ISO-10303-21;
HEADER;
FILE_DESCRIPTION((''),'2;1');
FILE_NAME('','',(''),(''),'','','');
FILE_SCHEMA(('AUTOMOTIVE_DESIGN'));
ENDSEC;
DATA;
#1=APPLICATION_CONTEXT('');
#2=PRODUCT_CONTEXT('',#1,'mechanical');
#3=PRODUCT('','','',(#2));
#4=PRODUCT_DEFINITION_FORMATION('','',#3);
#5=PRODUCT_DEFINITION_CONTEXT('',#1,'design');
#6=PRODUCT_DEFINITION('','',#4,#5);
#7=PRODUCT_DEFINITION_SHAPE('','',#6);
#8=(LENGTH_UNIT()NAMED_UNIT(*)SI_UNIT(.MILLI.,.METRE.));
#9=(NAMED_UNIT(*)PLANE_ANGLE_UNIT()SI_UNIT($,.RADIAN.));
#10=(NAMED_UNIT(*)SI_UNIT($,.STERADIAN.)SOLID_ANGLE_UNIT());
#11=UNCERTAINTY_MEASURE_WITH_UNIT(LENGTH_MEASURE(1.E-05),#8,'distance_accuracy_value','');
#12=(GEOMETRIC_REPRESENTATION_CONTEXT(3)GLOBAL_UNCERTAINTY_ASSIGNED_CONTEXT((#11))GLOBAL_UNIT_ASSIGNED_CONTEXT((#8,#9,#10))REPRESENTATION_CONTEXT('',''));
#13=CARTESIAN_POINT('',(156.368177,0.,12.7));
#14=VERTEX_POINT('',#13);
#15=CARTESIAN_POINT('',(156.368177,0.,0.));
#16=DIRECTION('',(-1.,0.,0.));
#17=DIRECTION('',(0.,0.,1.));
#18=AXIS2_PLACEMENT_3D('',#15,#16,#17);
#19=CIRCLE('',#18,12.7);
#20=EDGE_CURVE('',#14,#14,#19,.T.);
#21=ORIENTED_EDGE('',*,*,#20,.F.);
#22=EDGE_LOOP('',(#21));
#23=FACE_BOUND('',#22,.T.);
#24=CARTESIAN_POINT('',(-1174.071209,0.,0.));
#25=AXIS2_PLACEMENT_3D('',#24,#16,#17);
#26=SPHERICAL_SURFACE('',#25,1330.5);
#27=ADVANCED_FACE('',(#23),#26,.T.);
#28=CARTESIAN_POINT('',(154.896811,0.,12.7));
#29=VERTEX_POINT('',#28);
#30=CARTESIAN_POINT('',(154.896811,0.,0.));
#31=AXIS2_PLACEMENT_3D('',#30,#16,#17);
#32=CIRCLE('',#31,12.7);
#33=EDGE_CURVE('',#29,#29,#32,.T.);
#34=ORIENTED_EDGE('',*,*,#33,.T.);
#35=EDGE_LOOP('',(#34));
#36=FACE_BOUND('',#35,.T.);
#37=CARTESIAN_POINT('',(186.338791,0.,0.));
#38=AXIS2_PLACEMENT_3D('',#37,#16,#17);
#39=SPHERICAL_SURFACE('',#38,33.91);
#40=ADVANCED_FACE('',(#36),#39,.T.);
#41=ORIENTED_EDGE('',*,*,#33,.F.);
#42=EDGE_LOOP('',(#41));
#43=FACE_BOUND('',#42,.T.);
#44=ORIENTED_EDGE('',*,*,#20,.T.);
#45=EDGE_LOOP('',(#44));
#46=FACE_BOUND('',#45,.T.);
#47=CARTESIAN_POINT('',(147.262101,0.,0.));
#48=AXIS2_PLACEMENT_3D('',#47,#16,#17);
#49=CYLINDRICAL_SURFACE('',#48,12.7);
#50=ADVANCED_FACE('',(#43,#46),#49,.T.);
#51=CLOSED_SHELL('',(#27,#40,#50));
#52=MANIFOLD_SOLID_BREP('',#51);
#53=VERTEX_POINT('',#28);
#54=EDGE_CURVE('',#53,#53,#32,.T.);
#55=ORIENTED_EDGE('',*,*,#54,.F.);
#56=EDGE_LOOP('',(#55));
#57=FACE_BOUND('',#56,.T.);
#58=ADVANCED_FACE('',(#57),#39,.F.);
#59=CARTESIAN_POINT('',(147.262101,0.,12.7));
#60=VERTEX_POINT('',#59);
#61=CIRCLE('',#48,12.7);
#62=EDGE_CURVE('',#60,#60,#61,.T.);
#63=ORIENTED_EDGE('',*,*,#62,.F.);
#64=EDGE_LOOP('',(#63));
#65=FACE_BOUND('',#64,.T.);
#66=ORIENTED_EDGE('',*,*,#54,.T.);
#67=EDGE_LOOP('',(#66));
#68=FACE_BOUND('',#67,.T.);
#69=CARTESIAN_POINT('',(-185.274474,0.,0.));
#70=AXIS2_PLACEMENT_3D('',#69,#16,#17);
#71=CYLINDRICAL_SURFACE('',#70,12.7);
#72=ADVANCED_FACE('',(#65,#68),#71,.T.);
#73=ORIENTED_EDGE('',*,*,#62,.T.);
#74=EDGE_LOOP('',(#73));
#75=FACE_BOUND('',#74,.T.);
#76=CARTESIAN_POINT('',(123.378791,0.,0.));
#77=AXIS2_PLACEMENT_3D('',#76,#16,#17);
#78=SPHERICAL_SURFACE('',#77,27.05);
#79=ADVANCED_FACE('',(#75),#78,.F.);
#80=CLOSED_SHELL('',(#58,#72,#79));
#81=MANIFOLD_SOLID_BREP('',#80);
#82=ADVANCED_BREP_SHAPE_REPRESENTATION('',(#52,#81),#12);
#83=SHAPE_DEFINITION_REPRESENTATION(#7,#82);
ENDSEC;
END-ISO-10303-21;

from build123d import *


with BuildPart() as part:
    # 草图1 one side → 旋转1 (revolve)
    with BuildSketch(Plane(origin=(0, 0, 0), x_dir=(1, 0, 0), z_dir=(0, 1, 0)), mode=Mode.PRIVATE) as revolve_1_sk:
        with BuildLine():
            Line((154.896811415, 12.7), (147.262101387, 12.7))
            ThreePointArc((147.262101387, 12.7), (149.625181899, 6.544423678), (150.428791315, 0))
            Line((150.428791315, 0), (152.428791315, 0))
            ThreePointArc((152.428791315, 0), (153.051514178, 6.46879284), (154.896811415, 12.7))
        make_face()
    revolve(revolve_1_sk.sketch.rotate(Axis((-185.274474051, 0, 0), (1, 0, 0)), 180), axis=Axis((-185.274474051, 0, 0), (1, 0, 0)))  # turned: the seam where the file's is


with BuildPart() as body_2:
    # 草图2 one side → 旋转3 (revolve)
    with BuildSketch(Plane(origin=(0, 0, 0), x_dir=(1, 0, 0), z_dir=(0, 1, 0)), mode=Mode.PRIVATE) as revolve_3_sk:
        with BuildLine():
            Line((156.368177382, 12.7), (154.896811415, 12.7))
            ThreePointArc((154.896811415, 12.7), (153.051514178, 6.46879284), (152.428791315, 0))
            Line((152.428791315, 0), (156.428791315, 0))
            ThreePointArc((156.428791315, 0), (156.413637745, 6.350072323), (156.368177382, 12.7))
        make_face()
    revolve(revolve_3_sk.sketch.rotate(Axis((147.262101387, 0, 0), (1, 0, 0)), 180), axis=Axis((147.262101387, 0, 0), (1, 0, 0)))  # turned: the seam where the file's is


solid = Compound([part.part, body_2.part])
